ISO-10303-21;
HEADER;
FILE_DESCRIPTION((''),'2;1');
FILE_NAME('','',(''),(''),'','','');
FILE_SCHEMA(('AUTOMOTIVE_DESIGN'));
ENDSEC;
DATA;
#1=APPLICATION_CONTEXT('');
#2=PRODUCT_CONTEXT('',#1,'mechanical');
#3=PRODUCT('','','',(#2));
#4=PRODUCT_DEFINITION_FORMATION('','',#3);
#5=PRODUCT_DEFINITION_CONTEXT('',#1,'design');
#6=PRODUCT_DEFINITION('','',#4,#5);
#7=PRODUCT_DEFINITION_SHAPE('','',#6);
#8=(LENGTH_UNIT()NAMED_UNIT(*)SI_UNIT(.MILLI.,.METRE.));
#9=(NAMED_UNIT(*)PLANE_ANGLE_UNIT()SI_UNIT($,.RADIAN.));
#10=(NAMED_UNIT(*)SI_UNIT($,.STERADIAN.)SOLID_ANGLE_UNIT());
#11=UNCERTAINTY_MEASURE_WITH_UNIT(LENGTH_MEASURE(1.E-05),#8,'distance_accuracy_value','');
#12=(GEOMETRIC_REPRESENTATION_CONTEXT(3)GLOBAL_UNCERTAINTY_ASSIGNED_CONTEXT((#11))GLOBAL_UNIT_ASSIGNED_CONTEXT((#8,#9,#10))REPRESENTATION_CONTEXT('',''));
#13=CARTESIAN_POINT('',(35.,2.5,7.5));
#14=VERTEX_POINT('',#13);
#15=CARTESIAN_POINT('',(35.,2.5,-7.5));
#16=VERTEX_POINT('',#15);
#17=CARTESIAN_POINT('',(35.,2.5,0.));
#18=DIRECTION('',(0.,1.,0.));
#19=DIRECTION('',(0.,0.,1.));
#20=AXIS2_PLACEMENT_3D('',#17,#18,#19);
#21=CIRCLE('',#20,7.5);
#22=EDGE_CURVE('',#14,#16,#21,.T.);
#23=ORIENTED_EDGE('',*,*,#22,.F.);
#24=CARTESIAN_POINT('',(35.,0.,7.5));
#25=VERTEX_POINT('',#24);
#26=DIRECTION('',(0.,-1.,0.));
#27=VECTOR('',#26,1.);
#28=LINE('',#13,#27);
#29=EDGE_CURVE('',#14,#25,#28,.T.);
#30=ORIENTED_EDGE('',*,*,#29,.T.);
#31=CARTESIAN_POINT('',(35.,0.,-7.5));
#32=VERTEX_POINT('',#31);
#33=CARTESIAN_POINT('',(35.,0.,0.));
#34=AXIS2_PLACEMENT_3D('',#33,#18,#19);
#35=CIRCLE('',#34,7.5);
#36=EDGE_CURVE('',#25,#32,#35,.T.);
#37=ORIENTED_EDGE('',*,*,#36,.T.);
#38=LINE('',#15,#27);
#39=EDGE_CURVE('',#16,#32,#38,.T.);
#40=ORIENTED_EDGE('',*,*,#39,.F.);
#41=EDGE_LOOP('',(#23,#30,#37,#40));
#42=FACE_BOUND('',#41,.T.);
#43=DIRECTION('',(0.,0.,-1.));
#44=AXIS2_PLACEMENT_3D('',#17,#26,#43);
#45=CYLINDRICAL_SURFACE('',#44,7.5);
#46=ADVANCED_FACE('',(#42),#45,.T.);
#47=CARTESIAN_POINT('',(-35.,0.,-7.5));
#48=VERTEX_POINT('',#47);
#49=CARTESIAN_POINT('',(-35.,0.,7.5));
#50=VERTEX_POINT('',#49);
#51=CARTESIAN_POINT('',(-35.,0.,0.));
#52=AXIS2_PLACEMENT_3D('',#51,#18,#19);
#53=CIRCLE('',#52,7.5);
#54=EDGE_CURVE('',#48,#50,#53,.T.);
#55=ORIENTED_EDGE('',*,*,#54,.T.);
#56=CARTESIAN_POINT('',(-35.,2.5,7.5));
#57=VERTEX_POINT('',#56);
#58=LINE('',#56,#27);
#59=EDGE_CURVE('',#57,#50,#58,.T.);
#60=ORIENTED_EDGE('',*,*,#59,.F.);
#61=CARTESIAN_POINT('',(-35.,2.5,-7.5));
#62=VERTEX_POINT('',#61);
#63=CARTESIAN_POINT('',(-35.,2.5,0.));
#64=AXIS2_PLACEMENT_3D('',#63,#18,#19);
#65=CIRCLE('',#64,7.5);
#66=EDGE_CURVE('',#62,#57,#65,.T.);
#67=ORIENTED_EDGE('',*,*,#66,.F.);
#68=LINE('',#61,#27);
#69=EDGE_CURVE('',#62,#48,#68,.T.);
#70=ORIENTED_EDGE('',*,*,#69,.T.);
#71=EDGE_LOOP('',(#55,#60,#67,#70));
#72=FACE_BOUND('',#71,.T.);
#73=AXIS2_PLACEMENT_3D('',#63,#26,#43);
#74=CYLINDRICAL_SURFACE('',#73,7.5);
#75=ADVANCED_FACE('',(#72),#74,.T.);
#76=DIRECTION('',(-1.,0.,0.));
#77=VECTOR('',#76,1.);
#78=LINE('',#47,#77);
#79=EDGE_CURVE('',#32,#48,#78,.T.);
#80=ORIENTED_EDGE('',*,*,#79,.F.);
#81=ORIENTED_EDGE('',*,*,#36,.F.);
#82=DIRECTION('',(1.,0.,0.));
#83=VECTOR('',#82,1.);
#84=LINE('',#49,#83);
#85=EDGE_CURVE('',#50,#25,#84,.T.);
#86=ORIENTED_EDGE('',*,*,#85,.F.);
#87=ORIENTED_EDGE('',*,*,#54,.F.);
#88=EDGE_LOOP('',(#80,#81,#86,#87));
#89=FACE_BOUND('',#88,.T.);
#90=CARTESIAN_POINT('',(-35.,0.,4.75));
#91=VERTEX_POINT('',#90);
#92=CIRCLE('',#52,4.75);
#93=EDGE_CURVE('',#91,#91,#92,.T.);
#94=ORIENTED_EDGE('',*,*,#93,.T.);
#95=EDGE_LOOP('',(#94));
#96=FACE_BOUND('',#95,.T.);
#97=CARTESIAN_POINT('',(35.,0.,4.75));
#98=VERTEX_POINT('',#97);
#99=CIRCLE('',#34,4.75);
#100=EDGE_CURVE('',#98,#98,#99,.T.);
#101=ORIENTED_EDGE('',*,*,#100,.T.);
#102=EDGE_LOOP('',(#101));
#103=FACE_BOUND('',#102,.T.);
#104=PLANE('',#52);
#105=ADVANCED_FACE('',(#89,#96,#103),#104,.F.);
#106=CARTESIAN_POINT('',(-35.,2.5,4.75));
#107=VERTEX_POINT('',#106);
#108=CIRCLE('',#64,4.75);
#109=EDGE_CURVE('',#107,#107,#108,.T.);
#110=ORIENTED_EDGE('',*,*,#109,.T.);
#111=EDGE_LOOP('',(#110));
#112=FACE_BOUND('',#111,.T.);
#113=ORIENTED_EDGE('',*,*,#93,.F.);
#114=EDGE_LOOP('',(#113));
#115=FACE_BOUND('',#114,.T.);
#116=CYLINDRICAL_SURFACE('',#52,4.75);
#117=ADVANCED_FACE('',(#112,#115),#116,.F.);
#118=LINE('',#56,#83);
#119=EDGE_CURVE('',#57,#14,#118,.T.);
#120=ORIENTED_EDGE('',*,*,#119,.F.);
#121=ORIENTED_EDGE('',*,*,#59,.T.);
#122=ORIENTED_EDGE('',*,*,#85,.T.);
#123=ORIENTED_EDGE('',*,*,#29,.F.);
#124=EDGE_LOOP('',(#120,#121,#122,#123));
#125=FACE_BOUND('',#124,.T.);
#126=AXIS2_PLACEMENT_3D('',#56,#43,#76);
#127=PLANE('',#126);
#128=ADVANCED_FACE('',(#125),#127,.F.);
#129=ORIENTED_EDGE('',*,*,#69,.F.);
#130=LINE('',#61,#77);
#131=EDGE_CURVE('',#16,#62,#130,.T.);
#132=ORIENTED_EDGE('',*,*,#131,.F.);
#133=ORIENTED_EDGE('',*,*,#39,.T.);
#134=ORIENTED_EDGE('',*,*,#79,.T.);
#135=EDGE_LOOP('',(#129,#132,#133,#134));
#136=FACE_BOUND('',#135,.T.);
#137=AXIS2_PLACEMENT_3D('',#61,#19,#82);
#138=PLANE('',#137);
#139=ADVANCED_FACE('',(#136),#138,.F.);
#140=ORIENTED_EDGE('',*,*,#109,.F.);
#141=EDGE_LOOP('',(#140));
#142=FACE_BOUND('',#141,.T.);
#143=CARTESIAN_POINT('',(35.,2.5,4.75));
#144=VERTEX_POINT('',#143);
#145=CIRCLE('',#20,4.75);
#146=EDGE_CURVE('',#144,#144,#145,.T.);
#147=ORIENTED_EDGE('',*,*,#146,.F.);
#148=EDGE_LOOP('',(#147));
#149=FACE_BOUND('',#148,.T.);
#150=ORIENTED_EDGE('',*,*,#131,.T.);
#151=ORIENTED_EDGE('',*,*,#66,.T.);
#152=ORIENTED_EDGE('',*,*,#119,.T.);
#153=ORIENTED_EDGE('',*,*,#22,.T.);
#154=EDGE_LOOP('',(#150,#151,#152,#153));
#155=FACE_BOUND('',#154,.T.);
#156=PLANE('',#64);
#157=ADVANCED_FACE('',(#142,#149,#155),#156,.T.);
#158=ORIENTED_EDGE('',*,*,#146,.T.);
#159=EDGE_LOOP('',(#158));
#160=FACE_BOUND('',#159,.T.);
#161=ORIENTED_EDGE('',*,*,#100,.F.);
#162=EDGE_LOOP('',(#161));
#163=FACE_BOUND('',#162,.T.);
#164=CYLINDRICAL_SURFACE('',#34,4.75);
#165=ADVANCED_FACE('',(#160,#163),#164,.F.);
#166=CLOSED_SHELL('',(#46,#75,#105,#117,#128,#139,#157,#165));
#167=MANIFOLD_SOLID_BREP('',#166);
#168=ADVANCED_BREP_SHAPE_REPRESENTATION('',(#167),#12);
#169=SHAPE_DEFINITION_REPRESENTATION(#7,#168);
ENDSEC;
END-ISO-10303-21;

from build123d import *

# Parameters (mm, degrees)
SALIENTE_EXTRUIR1_DEPTH = 2.5
CROQUIS2_R              = 4.75
CORTAR_EXTRUIR1_DEPTH   = 44.229041164


with BuildPart() as part:
    # Croquis1 → Saliente-Extruir1 (new body)
    with BuildSketch(Plane(origin=(0, 0, 0), x_dir=(1, 0, 0), z_dir=(0, 1, 0))):
        with BuildLine():
            Line((-35, 7.5), (35, 7.5))
            ThreePointArc((35, 7.5), (42.5, 0), (35, -7.5))
            Line((35, -7.5), (-35, -7.5))
            ThreePointArc((-35, -7.5), (-42.5, 0), (-35, 7.5))
        make_face()
    extrude(amount=SALIENTE_EXTRUIR1_DEPTH)

    # Croquis2 → Cortar-Extruir1 (cut, through all)
    with BuildSketch(Plane(origin=(0, 2.5, 0), x_dir=(1, 0, 0), z_dir=(0, 1, 0))):
        with Locations(Location((-35, 0, 0), (0, 0, 270))):
            Circle(CROQUIS2_R)
        with Locations(Location((35, 0, 0), (0, 0, 270))):
            Circle(CROQUIS2_R)
    extrude(amount=-CORTAR_EXTRUIR1_DEPTH, mode=Mode.SUBTRACT)


solid = part.part
